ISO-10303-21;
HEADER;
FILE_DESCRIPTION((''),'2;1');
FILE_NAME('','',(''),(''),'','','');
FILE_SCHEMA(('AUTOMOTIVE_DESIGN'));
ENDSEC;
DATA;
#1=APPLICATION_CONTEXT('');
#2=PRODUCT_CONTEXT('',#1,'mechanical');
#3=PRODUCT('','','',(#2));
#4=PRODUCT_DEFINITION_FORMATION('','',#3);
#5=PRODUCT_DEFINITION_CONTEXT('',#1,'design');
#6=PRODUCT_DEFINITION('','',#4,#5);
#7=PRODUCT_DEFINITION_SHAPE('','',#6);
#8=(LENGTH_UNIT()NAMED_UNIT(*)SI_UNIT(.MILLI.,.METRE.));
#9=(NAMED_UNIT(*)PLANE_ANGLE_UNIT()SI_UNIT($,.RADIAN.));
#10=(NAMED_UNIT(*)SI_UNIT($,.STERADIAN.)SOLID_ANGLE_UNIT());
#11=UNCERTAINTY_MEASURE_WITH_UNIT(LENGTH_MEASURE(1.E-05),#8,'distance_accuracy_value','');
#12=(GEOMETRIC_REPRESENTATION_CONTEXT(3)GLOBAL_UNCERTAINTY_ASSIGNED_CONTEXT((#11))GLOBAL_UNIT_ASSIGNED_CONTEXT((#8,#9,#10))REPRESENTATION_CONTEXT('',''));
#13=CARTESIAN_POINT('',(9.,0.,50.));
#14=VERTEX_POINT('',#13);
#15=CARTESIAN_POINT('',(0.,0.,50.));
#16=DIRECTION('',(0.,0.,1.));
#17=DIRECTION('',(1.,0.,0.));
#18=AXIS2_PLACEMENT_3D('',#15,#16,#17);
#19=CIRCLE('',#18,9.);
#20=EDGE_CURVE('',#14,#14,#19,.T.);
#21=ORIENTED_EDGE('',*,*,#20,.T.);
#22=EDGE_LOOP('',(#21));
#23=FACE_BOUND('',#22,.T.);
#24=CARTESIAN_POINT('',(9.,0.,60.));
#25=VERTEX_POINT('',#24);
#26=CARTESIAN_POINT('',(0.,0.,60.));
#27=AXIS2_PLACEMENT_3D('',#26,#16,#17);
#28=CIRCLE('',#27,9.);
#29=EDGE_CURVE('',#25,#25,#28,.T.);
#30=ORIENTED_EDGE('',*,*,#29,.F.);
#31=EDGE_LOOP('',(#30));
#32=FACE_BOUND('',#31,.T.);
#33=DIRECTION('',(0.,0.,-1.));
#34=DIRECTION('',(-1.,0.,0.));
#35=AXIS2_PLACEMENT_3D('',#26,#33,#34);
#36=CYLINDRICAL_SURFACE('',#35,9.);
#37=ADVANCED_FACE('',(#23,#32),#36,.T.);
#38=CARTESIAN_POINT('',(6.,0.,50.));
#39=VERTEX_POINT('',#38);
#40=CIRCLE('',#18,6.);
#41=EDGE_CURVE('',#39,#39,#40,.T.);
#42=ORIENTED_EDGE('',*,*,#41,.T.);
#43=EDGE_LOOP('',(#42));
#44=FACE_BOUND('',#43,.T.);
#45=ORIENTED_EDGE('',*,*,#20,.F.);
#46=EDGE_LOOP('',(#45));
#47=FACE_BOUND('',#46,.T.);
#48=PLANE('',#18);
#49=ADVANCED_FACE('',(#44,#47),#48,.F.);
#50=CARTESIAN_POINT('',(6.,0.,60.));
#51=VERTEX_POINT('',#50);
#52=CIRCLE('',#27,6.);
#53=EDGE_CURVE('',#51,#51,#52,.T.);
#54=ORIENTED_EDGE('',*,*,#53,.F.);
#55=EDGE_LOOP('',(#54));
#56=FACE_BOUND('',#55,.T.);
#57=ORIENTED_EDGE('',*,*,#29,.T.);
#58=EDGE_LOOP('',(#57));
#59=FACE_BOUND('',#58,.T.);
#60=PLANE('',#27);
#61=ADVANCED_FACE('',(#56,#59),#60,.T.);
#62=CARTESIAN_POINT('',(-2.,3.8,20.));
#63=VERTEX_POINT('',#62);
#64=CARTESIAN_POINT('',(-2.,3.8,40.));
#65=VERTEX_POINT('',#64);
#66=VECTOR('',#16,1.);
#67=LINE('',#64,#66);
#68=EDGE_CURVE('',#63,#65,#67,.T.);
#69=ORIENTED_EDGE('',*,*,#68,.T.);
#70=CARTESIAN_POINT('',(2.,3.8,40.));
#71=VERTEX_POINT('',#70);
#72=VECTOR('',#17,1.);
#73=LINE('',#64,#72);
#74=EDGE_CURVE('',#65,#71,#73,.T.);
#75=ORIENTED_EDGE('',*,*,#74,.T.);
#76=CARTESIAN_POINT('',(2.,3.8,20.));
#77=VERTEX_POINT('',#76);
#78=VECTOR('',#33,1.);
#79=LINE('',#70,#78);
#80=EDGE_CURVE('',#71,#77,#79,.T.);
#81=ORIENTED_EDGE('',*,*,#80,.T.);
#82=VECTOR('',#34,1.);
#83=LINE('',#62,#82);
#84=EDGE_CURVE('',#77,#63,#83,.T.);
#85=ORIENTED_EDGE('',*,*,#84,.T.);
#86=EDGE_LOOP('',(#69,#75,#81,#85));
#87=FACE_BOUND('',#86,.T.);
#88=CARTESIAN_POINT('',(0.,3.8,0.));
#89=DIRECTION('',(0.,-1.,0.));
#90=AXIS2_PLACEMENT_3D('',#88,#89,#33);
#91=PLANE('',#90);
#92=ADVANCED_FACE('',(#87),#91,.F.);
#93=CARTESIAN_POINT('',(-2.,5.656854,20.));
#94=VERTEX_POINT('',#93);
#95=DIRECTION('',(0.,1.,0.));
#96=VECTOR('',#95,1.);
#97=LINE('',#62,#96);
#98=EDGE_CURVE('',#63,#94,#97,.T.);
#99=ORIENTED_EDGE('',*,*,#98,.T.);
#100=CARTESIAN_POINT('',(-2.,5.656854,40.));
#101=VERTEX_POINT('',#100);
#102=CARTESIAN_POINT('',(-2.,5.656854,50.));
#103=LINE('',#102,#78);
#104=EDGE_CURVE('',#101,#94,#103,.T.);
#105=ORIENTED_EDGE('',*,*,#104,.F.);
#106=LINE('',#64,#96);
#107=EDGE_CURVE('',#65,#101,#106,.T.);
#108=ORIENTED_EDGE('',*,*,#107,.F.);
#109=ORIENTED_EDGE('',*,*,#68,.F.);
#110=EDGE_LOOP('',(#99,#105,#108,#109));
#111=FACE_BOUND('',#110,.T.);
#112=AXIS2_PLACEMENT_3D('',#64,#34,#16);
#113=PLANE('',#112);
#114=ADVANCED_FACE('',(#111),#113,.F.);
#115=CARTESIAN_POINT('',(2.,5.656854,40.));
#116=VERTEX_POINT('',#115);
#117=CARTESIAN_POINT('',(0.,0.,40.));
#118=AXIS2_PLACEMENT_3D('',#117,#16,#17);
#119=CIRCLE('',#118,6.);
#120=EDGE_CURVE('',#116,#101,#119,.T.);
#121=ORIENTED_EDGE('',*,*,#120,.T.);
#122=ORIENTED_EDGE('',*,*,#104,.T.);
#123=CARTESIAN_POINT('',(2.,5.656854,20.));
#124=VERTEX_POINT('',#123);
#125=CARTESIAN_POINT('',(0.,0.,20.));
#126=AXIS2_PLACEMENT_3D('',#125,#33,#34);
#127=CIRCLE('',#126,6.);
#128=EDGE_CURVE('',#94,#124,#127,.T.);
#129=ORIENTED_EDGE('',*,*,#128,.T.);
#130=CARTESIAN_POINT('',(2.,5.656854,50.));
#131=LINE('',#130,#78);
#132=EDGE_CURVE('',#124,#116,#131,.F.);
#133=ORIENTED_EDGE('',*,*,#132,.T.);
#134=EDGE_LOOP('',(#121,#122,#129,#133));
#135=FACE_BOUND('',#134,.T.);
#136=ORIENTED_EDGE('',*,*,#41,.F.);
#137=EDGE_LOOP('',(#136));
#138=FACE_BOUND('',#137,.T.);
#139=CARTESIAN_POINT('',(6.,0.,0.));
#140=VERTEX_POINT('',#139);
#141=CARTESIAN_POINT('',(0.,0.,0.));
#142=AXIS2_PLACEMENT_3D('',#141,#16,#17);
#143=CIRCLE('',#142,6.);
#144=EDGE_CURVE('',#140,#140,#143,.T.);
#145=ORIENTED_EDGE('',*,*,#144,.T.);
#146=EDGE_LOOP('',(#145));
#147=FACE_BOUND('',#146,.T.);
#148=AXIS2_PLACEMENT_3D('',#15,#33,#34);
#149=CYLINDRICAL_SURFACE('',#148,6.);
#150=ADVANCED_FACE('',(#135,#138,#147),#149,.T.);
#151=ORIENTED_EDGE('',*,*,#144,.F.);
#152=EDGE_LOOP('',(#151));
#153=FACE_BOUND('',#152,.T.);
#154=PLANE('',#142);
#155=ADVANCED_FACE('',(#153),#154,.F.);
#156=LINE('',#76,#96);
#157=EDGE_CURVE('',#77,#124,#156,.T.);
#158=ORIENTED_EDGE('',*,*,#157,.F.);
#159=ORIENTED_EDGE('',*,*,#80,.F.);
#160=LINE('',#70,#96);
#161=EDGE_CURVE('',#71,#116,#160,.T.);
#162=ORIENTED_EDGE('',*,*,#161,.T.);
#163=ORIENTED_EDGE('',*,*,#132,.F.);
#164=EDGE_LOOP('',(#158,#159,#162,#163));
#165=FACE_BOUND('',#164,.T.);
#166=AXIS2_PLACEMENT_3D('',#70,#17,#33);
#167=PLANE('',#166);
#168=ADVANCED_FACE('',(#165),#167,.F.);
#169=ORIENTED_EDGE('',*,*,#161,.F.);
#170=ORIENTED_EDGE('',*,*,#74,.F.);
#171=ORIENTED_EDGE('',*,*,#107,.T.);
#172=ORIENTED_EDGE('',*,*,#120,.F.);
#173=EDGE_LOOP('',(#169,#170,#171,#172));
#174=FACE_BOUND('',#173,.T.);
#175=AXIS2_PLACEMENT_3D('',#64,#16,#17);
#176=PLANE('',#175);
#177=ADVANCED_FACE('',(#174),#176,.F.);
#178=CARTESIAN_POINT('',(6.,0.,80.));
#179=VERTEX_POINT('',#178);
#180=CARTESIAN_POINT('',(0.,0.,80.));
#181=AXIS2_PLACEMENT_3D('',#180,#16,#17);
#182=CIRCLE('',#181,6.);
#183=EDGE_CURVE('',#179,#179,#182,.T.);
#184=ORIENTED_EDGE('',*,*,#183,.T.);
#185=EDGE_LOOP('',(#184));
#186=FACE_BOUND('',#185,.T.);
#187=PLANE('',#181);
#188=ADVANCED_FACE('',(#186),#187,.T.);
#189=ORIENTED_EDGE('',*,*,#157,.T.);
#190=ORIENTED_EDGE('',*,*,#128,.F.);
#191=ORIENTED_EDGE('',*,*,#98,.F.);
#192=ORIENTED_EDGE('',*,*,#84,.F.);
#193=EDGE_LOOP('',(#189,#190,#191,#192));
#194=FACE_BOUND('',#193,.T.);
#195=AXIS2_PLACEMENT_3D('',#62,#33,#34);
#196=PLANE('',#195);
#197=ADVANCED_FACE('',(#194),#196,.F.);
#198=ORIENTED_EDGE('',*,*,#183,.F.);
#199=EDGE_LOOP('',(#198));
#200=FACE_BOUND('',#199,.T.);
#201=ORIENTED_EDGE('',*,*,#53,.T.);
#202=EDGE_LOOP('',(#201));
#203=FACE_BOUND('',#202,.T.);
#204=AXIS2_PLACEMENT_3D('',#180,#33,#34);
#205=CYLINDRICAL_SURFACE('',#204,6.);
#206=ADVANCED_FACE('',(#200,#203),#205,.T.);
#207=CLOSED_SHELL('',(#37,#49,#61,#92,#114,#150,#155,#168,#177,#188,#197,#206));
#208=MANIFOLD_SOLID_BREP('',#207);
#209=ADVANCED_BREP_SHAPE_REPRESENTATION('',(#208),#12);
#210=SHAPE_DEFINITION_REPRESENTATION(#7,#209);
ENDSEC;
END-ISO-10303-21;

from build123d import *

# Parameters (mm, degrees)
SKETCH2_R           = 6
BOSS_EXTRUDE1_DEPTH = 50
SKETCH3_R           = 9
BOSS_EXTRUDE2_DEPTH = 10
SKETCH4_R           = 6
BOSS_EXTRUDE3_DEPTH = 20
SKETCH6_W           = 4
SKETCH6_H           = 20
CUT_EXTRUDE1_DEPTH  = 2.2


with BuildPart() as part:
    # Sketch2 → Boss-Extrude1 (new body)
    with BuildSketch(Plane.XY):
        Circle(SKETCH2_R)
    extrude(amount=BOSS_EXTRUDE1_DEPTH)

    # Sketch3 → Boss-Extrude2 (add)
    with BuildSketch(Plane.XY.offset(50)):
        Circle(SKETCH3_R)
    extrude(amount=BOSS_EXTRUDE2_DEPTH)

    # Sketch4 → Boss-Extrude3 (add)
    with BuildSketch(Plane.XY.offset(60)):
        Circle(SKETCH4_R)
    extrude(amount=BOSS_EXTRUDE3_DEPTH)

    # Sketch6 → Cut-Extrude1 (cut)
    with BuildSketch(Plane(origin=(0, 6, 0), x_dir=(1, 0, 0), z_dir=(0, 1, 0))):
        with Locations((0, -30)):
            Rectangle(SKETCH6_W, SKETCH6_H)
    extrude(amount=-CUT_EXTRUDE1_DEPTH, mode=Mode.SUBTRACT)


solid = part.part
